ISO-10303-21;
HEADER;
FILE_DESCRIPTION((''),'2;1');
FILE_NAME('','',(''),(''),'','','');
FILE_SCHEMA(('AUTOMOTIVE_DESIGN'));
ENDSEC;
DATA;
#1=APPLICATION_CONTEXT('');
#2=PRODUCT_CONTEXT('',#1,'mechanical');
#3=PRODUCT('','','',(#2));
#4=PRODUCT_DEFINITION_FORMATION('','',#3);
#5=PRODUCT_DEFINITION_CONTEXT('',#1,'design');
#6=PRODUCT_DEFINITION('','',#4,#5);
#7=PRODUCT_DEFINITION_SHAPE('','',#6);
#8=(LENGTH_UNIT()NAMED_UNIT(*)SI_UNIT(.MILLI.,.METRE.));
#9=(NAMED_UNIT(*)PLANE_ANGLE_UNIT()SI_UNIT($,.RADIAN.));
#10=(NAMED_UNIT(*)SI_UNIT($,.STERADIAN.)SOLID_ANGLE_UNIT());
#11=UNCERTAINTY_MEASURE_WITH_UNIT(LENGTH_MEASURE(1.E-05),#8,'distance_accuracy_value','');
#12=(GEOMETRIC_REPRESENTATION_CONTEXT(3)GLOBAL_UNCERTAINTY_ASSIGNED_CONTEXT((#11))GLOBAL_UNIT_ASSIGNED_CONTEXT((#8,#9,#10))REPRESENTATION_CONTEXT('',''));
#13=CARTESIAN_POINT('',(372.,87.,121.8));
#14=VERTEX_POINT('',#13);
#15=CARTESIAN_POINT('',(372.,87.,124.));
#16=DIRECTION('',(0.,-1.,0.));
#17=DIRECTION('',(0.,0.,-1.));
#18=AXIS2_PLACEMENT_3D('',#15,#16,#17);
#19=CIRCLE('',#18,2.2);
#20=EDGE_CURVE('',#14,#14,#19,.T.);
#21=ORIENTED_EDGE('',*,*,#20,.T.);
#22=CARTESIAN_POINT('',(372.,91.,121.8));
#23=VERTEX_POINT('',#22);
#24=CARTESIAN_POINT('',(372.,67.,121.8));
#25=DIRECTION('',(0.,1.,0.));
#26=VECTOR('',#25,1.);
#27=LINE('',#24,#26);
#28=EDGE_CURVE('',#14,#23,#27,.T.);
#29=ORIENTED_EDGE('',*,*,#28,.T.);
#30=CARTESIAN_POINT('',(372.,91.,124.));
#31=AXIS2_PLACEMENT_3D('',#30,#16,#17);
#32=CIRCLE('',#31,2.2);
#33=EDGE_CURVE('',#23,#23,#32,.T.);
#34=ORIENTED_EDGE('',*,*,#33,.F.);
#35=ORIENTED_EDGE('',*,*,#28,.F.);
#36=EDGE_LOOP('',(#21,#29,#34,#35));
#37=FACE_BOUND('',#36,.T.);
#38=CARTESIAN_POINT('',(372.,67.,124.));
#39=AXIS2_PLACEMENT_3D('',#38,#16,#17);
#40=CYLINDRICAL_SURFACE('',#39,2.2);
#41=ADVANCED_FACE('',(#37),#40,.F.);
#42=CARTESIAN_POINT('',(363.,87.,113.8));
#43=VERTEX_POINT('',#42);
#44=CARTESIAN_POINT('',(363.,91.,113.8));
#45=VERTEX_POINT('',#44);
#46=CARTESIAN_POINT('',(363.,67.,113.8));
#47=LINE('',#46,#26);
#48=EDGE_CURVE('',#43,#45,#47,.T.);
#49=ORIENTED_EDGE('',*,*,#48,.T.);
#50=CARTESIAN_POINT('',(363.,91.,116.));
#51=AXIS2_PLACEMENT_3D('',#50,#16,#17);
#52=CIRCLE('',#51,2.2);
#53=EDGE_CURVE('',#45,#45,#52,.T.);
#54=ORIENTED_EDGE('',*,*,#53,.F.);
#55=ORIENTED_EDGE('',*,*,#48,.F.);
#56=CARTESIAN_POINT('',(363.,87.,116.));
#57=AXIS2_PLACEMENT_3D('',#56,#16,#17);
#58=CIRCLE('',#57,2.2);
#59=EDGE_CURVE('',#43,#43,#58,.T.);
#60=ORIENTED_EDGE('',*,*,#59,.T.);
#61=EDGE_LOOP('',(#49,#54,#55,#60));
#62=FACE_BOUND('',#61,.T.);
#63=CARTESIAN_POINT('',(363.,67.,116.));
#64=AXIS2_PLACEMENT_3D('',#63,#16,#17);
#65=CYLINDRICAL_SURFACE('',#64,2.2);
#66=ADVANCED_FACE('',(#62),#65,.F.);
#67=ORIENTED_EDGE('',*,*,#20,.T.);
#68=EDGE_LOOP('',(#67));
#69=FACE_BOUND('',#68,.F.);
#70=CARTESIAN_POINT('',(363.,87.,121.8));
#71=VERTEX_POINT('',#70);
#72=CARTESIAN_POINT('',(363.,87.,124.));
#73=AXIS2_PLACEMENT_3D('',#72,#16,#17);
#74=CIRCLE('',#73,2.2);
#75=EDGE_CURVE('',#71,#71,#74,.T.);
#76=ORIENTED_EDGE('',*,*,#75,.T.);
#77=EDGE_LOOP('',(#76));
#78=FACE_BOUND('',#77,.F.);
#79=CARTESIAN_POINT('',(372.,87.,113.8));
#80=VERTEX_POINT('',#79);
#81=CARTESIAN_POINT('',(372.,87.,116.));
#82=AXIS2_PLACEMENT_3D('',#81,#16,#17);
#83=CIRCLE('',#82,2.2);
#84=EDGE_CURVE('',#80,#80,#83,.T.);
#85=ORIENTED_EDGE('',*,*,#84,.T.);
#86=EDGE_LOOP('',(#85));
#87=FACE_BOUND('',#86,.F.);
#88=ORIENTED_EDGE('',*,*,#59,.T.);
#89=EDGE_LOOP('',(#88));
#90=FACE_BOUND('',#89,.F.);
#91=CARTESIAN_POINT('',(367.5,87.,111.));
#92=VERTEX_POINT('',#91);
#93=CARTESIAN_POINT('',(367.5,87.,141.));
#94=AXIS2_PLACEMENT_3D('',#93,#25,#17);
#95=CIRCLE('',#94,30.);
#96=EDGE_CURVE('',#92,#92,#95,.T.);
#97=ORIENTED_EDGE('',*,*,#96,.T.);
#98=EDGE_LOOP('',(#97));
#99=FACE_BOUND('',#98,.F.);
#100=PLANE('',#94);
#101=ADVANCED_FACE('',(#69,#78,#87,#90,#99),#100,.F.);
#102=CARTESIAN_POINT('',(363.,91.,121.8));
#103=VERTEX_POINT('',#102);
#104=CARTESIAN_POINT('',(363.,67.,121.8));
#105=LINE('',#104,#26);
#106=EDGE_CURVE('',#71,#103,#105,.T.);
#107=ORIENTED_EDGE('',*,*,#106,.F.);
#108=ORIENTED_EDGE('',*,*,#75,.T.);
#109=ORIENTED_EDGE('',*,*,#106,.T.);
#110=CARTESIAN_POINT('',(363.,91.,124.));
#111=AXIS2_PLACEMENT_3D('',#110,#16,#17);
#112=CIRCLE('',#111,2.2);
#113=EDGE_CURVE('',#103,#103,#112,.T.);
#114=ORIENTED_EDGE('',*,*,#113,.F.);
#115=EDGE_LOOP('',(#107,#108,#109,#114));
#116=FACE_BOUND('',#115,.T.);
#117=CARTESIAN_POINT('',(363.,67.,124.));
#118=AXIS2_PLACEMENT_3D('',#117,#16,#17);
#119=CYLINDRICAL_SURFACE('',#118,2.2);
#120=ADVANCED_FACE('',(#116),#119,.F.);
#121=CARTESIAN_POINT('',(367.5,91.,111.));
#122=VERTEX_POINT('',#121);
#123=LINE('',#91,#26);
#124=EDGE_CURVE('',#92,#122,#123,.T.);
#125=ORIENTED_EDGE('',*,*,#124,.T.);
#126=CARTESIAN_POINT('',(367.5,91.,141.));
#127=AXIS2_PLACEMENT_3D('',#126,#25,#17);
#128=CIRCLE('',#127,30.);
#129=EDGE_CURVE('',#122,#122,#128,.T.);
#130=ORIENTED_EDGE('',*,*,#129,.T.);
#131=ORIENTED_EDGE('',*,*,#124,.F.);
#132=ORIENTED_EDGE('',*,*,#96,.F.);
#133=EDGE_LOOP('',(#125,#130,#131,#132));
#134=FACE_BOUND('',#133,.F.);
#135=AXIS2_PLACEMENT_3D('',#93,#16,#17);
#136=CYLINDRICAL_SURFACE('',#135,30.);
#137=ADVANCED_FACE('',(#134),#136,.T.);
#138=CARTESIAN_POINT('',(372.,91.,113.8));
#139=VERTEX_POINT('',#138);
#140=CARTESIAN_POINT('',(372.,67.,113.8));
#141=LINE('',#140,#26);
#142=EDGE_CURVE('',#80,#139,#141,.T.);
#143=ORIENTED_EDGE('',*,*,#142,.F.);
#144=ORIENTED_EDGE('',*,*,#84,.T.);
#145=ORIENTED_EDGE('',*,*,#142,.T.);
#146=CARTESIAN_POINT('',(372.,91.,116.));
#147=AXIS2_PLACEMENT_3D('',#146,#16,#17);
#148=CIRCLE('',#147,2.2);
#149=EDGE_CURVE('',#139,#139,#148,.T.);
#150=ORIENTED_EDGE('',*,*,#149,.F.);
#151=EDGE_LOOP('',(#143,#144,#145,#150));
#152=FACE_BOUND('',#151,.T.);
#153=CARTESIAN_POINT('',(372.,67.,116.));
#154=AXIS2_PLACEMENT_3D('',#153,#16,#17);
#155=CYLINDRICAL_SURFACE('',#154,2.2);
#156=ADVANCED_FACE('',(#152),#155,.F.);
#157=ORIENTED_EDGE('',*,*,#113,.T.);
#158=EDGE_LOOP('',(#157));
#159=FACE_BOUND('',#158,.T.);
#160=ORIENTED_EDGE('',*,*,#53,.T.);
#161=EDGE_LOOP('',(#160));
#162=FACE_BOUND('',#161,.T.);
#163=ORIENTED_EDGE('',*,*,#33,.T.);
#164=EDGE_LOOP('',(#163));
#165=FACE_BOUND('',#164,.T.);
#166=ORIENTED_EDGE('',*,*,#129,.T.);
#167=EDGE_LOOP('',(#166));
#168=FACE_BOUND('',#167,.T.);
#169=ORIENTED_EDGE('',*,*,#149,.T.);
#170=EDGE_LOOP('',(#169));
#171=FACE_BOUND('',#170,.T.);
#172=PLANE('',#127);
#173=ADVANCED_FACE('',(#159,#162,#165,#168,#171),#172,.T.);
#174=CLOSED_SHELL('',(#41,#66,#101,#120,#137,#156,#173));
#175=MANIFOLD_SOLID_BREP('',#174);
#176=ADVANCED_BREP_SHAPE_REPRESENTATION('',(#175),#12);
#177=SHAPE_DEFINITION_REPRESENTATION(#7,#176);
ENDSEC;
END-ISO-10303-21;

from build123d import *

# Parameters (mm, degrees)
CYLINDER030_R          = 2.2
CYLINDER030_DEPTH      = 26
CYLINDER030_ROLL_ANGLE = -90
ARRAY002_X_COUNT       = 2
ARRAY002_X_PITCH       = 8
ARRAY002_Z_COUNT       = 2
ARRAY002_Z_PITCH       = 9
CYLINDER011_R          = 30
CYLINDER011_DEPTH      = 4
CYLINDER011_ROLL_ANGLE = -90
CUT012_PITCH_ANGLE     = 90


with BuildPart() as taladros_suje_traccion001:
    # Cylinder030 → Cylinder030 (new body)
    with BuildSketch(Plane.XY):
        Circle(CYLINDER030_R)
    extrude(amount=CYLINDER030_DEPTH)


with BuildPart() as taladros_suje_traccion001_1:
    # Cylinder030 roll: moved
    add(taladros_suje_traccion001.part.rotate(Axis((0, 0, 0), (1, 0, 0)), CYLINDER030_ROLL_ANGLE))


with BuildPart() as taladros_suje_traccion001_2:
    # Cylinder030 placement: moved
    add(taladros_suje_traccion001_1.part.moved(Location((202, 0, 4))))

    # Array002 X: Taladros_suje_traccion001 ×2


with BuildPart() as taladros_suje_traccion001_3:
    add(taladros_suje_traccion001_2.part)
    with Locations(*[(i * ARRAY002_X_PITCH, 0, 0) for i in range(1, ARRAY002_X_COUNT)]):
        add(taladros_suje_traccion001_2.part)

    # Array002 Z: Taladros_suje_traccion001 ×2


with BuildPart() as taladros_suje_traccion001_4:
    add(taladros_suje_traccion001_3.part)
    with Locations(*[(0, 0, i * ARRAY002_Z_PITCH) for i in range(1, ARRAY002_Z_COUNT)]):
        add(taladros_suje_traccion001_3.part)


with BuildPart() as traccion:
    # Cylinder011 → Cylinder011 (new body)
    with BuildSketch(Plane.XY):
        Circle(CYLINDER011_R)
    extrude(amount=CYLINDER011_DEPTH)


with BuildPart() as traccion_1:
    # Cylinder011 roll: moved
    add(traccion.part.rotate(Axis((0, 0, 0), (1, 0, 0)), CYLINDER011_ROLL_ANGLE))


with BuildPart() as traccion_2:
    # Cylinder011 placement: moved
    add(traccion_1.part.moved(Location((185, 20, 8.5))))

    # Cut012: cut Taladros_suje_traccion001
    add(taladros_suje_traccion001_4.part, mode=Mode.SUBTRACT)


with BuildPart() as traccion_3:
    # Cut012 pitch: moved
    add(traccion_2.part.rotate(Axis((0, 0, 0), (0, 1, 0)), CUT012_PITCH_ANGLE))


with BuildPart() as traccion_4:
    # Cut012 placement: moved
    add(traccion_3.part.moved(Location((359, 67, 326))))


solid = traccion_4.part
